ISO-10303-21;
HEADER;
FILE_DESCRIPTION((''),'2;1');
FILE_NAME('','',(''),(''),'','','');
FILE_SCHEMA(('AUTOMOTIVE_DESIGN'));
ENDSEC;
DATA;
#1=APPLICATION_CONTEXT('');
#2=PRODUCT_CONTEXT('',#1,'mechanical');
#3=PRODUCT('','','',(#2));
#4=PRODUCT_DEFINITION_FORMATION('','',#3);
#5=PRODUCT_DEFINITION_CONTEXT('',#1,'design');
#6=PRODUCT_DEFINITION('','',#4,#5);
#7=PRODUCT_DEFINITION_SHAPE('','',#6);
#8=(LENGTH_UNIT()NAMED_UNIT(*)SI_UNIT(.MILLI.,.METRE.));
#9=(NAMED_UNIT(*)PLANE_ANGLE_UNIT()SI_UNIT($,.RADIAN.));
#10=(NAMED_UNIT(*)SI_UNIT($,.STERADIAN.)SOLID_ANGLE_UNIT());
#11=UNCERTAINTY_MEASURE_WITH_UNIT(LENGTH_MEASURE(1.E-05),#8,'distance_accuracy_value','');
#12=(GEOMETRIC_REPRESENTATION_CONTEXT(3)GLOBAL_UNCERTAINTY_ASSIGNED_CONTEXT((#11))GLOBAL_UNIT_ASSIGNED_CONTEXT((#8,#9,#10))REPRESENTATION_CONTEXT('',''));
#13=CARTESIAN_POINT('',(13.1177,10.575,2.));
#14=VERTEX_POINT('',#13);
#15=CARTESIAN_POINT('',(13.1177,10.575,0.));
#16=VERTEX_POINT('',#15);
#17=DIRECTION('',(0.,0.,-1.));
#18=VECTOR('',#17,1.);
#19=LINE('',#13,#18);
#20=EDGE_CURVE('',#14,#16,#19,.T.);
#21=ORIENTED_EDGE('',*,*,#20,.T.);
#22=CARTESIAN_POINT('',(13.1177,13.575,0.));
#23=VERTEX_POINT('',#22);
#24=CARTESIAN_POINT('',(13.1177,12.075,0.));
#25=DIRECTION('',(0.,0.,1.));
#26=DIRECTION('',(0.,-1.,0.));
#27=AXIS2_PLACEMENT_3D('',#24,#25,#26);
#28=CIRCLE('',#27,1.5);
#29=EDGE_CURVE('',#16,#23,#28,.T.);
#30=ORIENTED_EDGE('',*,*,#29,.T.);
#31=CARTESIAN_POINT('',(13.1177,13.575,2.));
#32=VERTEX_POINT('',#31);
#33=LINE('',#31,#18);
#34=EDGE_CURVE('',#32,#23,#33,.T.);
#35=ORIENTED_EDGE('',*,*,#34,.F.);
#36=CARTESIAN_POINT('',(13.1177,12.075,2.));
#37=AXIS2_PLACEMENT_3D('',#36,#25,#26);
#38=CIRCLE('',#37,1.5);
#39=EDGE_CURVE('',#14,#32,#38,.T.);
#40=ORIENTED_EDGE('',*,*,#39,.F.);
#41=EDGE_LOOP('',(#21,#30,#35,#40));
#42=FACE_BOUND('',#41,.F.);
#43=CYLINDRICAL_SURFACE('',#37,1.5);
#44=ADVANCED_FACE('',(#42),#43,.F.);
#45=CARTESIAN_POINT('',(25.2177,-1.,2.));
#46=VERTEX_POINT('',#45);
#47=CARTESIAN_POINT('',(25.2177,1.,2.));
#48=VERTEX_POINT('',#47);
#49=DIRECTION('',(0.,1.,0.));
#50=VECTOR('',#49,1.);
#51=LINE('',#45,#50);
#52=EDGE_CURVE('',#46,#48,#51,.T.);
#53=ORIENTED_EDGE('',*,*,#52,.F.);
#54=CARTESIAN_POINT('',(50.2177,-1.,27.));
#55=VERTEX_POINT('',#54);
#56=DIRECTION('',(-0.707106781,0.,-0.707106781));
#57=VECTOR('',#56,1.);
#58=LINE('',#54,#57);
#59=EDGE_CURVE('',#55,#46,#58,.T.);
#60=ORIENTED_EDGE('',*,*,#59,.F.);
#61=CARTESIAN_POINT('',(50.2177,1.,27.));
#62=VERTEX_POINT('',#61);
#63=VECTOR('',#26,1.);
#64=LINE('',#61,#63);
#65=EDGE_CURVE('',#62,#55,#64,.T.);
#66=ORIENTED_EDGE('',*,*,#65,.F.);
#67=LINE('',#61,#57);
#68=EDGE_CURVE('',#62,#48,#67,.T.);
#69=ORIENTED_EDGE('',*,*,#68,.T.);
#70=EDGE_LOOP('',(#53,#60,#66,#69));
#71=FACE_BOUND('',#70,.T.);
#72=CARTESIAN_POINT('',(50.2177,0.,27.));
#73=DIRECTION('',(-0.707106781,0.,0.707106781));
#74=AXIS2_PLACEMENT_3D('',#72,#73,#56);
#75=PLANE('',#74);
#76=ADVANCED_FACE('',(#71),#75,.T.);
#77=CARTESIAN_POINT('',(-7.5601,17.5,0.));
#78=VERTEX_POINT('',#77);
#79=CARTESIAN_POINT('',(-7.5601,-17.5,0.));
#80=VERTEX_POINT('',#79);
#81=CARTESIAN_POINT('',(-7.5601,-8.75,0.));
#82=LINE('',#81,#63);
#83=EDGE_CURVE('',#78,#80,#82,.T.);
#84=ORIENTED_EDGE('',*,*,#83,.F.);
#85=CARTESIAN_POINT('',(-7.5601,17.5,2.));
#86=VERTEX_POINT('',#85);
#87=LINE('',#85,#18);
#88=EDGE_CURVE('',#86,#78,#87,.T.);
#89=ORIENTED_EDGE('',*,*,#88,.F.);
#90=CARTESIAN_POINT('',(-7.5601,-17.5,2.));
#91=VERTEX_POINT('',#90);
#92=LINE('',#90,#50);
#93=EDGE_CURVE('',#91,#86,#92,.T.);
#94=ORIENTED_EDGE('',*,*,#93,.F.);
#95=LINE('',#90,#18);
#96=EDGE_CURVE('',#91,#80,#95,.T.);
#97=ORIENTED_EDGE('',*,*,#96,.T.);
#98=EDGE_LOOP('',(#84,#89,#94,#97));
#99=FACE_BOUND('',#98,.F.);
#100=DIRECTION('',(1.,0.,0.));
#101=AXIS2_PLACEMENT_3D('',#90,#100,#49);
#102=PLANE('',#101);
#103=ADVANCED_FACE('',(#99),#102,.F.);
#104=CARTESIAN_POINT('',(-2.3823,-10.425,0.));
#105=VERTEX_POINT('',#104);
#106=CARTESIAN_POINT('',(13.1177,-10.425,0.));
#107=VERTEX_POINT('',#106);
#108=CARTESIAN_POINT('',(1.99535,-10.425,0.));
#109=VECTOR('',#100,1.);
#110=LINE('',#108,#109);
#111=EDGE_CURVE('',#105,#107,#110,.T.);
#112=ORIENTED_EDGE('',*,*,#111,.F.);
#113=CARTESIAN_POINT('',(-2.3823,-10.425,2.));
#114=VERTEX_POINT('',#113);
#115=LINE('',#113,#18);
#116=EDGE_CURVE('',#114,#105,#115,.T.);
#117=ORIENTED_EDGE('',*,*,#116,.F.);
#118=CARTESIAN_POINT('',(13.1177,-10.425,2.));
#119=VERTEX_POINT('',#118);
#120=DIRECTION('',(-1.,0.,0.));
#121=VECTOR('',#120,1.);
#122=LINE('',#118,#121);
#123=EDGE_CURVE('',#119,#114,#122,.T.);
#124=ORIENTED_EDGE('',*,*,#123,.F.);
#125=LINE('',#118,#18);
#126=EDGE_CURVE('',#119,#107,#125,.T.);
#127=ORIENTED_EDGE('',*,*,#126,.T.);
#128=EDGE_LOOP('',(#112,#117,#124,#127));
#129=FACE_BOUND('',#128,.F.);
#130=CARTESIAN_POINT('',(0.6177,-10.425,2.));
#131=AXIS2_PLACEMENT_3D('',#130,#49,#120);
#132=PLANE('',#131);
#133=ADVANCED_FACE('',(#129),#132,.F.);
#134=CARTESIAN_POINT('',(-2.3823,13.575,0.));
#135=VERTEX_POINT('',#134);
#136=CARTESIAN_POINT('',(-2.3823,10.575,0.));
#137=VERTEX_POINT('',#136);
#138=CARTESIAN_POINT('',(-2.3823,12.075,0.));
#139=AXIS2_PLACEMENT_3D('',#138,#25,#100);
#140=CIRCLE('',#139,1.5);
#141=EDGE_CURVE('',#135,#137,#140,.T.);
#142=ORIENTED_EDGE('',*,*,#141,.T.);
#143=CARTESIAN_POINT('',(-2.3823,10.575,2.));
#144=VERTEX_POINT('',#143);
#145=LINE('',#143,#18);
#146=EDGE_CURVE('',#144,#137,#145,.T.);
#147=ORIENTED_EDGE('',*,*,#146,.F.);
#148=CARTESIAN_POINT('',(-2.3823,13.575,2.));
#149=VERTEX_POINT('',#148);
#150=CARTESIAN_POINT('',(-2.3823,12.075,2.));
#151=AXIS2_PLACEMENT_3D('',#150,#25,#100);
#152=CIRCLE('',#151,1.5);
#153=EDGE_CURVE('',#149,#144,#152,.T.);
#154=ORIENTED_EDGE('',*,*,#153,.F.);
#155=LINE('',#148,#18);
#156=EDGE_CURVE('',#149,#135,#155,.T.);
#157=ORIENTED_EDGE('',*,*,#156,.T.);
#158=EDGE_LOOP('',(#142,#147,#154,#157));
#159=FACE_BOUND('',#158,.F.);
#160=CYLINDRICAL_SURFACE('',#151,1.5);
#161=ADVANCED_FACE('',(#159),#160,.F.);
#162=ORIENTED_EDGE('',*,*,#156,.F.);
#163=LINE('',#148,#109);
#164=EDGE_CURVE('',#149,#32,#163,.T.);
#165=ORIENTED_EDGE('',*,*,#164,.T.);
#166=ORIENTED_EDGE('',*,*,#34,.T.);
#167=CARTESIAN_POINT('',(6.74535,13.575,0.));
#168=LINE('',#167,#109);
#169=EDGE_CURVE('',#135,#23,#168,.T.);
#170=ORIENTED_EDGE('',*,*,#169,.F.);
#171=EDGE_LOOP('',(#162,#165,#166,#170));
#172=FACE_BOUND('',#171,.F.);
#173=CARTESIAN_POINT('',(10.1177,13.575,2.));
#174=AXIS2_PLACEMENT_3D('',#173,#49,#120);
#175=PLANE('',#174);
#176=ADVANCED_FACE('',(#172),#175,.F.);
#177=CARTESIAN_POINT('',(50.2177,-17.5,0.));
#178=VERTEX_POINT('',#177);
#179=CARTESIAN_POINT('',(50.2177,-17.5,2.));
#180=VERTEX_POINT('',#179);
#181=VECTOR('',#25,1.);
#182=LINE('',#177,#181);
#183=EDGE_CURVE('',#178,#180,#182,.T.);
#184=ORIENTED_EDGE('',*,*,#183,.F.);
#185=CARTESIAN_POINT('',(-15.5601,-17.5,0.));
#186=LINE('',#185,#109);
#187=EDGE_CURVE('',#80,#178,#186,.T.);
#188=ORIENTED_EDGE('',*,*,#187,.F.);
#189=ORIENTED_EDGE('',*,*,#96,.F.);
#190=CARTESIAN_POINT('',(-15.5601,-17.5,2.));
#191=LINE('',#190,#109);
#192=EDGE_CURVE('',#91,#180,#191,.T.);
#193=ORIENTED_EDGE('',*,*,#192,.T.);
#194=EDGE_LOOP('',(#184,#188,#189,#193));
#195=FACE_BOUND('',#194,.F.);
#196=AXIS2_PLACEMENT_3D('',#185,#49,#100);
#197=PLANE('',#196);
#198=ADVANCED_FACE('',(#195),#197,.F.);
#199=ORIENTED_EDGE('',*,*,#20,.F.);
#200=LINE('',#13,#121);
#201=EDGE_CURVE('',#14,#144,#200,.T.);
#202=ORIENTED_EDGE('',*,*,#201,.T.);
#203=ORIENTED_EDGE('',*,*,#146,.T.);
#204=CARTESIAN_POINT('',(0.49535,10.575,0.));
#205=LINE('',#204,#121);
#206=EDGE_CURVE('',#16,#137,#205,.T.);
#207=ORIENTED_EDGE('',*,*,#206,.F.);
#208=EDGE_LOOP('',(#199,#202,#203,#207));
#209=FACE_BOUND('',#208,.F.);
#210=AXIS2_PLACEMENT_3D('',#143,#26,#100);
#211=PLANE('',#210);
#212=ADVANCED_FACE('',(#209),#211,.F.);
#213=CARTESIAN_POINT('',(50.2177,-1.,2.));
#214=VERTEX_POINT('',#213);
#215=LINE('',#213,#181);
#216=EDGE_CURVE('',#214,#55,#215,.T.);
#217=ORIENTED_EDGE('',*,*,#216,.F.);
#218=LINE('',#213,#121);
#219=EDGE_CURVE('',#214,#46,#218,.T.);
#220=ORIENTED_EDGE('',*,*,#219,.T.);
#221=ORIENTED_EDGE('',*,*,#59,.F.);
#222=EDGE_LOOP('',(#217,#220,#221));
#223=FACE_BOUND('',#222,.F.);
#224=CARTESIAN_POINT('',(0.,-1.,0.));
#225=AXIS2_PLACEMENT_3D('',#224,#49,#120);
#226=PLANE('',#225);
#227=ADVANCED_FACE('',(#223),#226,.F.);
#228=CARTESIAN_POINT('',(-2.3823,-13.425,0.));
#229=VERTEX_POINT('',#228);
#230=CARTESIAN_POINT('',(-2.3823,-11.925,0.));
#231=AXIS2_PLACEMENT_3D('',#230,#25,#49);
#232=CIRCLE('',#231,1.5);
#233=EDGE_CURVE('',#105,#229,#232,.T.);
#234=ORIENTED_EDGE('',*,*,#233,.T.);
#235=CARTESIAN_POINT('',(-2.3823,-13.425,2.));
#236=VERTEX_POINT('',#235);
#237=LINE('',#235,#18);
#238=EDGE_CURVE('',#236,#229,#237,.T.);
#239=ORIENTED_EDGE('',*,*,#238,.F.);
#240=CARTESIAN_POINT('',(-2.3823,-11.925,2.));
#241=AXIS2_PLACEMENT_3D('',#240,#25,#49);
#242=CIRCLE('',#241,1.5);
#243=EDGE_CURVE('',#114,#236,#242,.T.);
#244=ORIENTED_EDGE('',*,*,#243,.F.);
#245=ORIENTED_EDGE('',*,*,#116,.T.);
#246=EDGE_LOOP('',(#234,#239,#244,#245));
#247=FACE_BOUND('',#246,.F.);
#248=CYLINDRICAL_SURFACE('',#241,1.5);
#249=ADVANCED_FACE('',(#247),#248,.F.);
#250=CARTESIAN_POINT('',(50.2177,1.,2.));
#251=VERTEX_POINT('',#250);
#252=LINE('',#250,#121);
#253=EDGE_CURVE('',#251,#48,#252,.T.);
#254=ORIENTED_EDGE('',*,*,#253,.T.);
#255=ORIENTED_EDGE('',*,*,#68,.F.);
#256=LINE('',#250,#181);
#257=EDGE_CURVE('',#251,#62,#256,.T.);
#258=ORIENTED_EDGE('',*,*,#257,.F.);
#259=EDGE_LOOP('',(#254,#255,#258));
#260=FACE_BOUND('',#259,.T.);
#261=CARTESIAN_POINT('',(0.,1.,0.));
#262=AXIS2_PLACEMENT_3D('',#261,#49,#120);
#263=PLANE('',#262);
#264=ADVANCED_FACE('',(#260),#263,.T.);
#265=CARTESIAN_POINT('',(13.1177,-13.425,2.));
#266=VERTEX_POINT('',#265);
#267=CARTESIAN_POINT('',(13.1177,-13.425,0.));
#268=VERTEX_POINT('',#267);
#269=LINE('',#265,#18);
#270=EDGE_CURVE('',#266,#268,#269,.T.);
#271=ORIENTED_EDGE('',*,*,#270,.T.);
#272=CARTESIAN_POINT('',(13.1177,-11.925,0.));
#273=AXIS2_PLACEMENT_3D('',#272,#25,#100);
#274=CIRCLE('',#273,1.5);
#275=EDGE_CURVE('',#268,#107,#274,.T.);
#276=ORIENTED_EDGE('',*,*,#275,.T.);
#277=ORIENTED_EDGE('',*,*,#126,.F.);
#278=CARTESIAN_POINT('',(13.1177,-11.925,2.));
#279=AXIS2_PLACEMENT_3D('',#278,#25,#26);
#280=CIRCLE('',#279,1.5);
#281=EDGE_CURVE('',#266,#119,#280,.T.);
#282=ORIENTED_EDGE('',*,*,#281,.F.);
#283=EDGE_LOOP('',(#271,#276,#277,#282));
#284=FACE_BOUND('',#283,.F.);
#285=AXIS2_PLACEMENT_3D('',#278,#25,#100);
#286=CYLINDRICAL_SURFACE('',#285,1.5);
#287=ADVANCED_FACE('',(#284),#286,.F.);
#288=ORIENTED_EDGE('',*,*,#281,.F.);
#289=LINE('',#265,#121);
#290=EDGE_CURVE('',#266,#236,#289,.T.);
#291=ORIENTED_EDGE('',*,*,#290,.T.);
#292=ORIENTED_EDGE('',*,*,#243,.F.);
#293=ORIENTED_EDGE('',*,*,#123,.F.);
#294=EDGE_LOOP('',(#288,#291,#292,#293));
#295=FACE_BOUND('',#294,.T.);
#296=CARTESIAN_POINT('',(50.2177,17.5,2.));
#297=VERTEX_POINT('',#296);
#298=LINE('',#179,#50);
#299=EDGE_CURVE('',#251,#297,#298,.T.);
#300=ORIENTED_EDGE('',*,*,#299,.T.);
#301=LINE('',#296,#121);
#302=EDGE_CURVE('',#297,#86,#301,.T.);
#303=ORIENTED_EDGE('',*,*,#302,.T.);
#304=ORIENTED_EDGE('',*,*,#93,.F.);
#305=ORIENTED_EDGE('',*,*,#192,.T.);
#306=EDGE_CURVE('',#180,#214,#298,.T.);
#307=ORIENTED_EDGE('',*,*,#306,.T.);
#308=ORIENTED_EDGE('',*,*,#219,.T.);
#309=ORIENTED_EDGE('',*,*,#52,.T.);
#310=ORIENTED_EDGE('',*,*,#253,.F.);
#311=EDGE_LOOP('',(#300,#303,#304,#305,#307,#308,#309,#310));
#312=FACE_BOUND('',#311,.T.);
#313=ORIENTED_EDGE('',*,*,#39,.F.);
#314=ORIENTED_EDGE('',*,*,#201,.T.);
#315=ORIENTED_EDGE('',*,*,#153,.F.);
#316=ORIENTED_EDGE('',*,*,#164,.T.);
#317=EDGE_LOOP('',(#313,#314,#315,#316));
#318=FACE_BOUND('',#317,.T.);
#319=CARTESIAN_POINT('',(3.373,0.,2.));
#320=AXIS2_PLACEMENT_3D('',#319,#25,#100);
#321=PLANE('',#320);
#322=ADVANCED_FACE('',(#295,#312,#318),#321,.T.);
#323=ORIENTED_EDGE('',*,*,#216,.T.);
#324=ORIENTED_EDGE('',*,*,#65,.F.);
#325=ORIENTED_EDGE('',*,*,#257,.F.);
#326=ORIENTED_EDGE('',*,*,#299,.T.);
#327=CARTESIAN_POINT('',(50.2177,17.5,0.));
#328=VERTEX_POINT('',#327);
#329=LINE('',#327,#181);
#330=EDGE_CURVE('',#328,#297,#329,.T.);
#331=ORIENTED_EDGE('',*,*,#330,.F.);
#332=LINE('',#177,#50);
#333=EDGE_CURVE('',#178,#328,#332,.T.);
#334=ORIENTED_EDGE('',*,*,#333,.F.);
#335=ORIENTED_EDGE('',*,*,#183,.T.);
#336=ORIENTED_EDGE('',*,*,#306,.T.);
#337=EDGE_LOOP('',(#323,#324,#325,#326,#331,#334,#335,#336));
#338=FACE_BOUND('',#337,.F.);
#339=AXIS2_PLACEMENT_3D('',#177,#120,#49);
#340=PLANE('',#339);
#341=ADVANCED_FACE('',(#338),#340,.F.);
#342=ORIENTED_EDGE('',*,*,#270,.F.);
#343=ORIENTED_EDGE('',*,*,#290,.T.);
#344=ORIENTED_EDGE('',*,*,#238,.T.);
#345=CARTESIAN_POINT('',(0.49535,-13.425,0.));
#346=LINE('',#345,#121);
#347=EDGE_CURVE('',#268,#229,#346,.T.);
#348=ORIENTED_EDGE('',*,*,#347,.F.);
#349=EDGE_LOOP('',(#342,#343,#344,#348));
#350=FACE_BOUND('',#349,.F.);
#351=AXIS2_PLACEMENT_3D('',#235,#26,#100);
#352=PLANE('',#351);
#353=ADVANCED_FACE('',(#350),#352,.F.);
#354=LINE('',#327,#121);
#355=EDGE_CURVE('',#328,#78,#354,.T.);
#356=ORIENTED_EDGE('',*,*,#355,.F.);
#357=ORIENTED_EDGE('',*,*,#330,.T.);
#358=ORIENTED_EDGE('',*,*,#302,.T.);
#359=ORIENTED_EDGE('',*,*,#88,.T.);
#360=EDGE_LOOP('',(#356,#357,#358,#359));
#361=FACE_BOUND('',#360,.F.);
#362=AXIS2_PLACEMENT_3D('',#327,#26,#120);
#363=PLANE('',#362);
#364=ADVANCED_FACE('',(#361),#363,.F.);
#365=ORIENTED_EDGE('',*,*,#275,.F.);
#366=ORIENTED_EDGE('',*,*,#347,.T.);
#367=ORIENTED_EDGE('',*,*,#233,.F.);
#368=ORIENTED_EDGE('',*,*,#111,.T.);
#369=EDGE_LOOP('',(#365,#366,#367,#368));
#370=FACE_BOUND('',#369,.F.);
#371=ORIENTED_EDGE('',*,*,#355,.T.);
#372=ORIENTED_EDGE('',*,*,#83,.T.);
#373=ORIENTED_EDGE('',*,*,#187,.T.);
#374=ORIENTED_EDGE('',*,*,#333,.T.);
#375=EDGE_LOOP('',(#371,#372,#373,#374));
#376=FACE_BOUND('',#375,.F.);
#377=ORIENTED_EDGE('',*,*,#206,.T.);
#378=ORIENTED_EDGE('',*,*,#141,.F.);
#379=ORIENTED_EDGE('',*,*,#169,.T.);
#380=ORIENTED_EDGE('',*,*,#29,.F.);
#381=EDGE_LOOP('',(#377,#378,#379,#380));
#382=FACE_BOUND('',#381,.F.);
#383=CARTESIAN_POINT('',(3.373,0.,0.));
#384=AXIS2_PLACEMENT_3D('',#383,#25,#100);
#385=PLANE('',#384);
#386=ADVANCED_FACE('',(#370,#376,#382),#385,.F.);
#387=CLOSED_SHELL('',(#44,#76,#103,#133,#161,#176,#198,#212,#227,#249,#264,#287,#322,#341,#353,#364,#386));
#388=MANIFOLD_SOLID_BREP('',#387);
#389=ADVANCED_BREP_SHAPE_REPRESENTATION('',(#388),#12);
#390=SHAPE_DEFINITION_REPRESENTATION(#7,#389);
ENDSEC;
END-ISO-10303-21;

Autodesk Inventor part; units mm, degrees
ref_plane "YZ Plane" through (0, 0, 0) normal (1, 0, 0) x (0, 1, 0)
ref_plane "XZ Plane" through (0, 0, 0) normal (0, 1, 0) x (-1, 0, 0)
ref_plane "XY Plane" through (0, 0, 0) normal (0, 0, 1) x (1, 0, 0)
ref_plane "Płaszczyzna konstrukcyjna1" through (3.373, 0, 0) normal (0, 0, 1) x (1, 0, 0)
sketch "Szkic1" plane through (3.373, 0, 0) normal (0, 0, 1) x (1, 0, 0)
  line L0 (-18.9331, -17.5) -> (46.8447, -17.5)
  line L1 (46.8447, -17.5) -> (46.8447, 17.5)
  line L2 (46.8447, 17.5) -> (-18.9331, 17.5)
  line L3 (-18.9331, 17.5) -> (-18.9331, -17.5)
  line L4 (-3.373, 0) -> (-37.9313, 0) construction
  line L5 (46.8447, 48.9998) -> (46.8447, 17.425) construction
  arc A0 (-19.7109, 13.5) -> (-19.7109, 10.5) centre (-19.7109, 12) ccw construction
  line L6 (-19.7109, 13.5) -> (-16.7109, 13.5) construction
  arc A1 (-16.7109, 10.5) -> (-16.7109, 13.5) centre (-16.7109, 12) ccw construction
  line L7 (-16.7109, 10.5) -> (-19.7109, 10.5) construction
  line L8 (-29.2109, -13.5) -> (-32.2109, -13.5) construction
  arc A2 (-32.2109, -10.5) -> (-32.2109, -13.5) centre (-32.2109, -12) ccw construction
  line L9 (-32.2109, -10.5) -> (-29.2109, -10.5) construction
  arc A3 (-29.2109, -13.5) -> (-29.2109, -10.5) centre (-29.2109, -12) ccw construction
  circle A4 centre (-16.7109, -12) radius 1.5 construction
  circle A5 centre (-32.2109, 12) radius 1.5 construction
  line L10 (-11.7109, 6.9) -> (-34.7109, 6.9) construction
  line L11 (-11.7109, -6.9) -> (-11.7109, 6.9) construction
  line L12 (-34.7109, -6.9) -> (-11.7109, -6.9) construction
  line L13 (-15.7109, -16) -> (-34.7109, -16) construction
  line L14 (-6.2109, -9.5) -> (-15.7109, -16) construction
  line L15 (-6.2109, 9.5) -> (-6.2109, -9.5) construction
  line L16 (-15.7109, 16) -> (-6.2109, 9.5) construction
  line L17 (-34.7109, 16) -> (-15.7109, 16) construction
  line L18 (-34.7109, -6.9) -> (-34.7109, -16) projected
  line L19 (-34.7109, 16) -> (-34.7109, 6.9) projected
  dimension "d0" = 35
extrude "Wyciągnięcie proste1" add sketch "Szkic1" along normal blind 2
sketch "Szkic2" plane through (0, 0, 0) normal (0, 1, 0) x (-1, 0, 0)
  line L0 (-50.2177, 2) -> (15.5601, 2) projected
  line L1 (-50.2177, 2) -> (-50.2177, 27)
  line L2 (-50.2177, 27) -> (-25.2177, 2)
  line L3 (-50.2177, 2) -> (-25.2177, 2)
  point P0 (0, 0)
  dimension "d3" = 25
  dimension "d4" = 25
extrude "Wyciągnięcie proste2" add sketch "Szkic2" along normal mid plane 2
sketch "Szkic3" plane through (3.373, 0, 2) normal (0, 0, 1) x (1, 0, 0)
  line L0 (-18.9331, 17.5) -> (-18.9331, -17.5) projected
  line L1 (-18.9331, -17.5) -> (-10.9331, -17.5)
  line L2 (-10.9331, -17.5) -> (-10.9331, 17.5)
  line L3 (-10.9331, 17.5) -> (-18.9331, 17.5)
  line L4 (-18.9331, 17.5) -> (-18.9331, -17.5)
  point P0 (-3.373, 0)
  dimension "d7" = 8
extrude "Wyciągnięcie proste3" cut sketch "Szkic3" against normal up to next
sketch "Szkic5" plane through (3.373, 0, 2) normal (0, 0, 1) x (1, 0, 0)
  circle A0 centre (-5.7553, 12.075) radius 1.5 projected
  arc A1 (9.7447, 10.575) -> (9.7447, 13.575) centre (9.7447, 12.075) ccw projected
  arc A2 (6.7447, 13.575) -> (6.7447, 10.575) centre (6.7447, 12.075) ccw projected
  arc A3 (-2.7553, -13.425) -> (-2.7553, -10.425) centre (-2.7553, -11.925) ccw projected
  arc A4 (-5.7553, -10.425) -> (-5.7553, -13.425) centre (-5.7553, -11.925) ccw projected
  circle A5 centre (9.7447, -11.925) radius 1.5 projected
  line L0 (-7.2553, -11.925) -> (11.2447, -11.925) construction
  line L1 (-5.7553, -13.425) -> (9.7447, -13.425)
  line L2 (9.7447, -10.425) -> (-5.7553, -10.425)
  arc A6 (-5.7553, -10.425) -> (-5.7553, -13.425) centre (-5.7553, -11.925) ccw
  arc A7 (9.7447, -13.425) -> (9.7447, -10.425) centre (9.7447, -11.925) ccw
  line L3 (-7.2553, 12.075) -> (11.2447, 12.075) construction
  line L4 (-5.7553, 10.575) -> (9.7447, 10.575)
  line L5 (9.7447, 13.575) -> (-5.7553, 13.575)
  arc A8 (-5.7553, 13.575) -> (-5.7553, 10.575) centre (-5.7553, 12.075) ccw
  arc A9 (9.7447, 10.575) -> (9.7447, 13.575) centre (9.7447, 12.075) ccw
  point P0 (-3.373, 0)
  point P1 (1.9947, -11.925)
  point P2 (1.9947, 12.075)
extrude "Wyciągnięcie proste5" cut sketch "Szkic5" against normal up to next
properties part number "hinge_support"
